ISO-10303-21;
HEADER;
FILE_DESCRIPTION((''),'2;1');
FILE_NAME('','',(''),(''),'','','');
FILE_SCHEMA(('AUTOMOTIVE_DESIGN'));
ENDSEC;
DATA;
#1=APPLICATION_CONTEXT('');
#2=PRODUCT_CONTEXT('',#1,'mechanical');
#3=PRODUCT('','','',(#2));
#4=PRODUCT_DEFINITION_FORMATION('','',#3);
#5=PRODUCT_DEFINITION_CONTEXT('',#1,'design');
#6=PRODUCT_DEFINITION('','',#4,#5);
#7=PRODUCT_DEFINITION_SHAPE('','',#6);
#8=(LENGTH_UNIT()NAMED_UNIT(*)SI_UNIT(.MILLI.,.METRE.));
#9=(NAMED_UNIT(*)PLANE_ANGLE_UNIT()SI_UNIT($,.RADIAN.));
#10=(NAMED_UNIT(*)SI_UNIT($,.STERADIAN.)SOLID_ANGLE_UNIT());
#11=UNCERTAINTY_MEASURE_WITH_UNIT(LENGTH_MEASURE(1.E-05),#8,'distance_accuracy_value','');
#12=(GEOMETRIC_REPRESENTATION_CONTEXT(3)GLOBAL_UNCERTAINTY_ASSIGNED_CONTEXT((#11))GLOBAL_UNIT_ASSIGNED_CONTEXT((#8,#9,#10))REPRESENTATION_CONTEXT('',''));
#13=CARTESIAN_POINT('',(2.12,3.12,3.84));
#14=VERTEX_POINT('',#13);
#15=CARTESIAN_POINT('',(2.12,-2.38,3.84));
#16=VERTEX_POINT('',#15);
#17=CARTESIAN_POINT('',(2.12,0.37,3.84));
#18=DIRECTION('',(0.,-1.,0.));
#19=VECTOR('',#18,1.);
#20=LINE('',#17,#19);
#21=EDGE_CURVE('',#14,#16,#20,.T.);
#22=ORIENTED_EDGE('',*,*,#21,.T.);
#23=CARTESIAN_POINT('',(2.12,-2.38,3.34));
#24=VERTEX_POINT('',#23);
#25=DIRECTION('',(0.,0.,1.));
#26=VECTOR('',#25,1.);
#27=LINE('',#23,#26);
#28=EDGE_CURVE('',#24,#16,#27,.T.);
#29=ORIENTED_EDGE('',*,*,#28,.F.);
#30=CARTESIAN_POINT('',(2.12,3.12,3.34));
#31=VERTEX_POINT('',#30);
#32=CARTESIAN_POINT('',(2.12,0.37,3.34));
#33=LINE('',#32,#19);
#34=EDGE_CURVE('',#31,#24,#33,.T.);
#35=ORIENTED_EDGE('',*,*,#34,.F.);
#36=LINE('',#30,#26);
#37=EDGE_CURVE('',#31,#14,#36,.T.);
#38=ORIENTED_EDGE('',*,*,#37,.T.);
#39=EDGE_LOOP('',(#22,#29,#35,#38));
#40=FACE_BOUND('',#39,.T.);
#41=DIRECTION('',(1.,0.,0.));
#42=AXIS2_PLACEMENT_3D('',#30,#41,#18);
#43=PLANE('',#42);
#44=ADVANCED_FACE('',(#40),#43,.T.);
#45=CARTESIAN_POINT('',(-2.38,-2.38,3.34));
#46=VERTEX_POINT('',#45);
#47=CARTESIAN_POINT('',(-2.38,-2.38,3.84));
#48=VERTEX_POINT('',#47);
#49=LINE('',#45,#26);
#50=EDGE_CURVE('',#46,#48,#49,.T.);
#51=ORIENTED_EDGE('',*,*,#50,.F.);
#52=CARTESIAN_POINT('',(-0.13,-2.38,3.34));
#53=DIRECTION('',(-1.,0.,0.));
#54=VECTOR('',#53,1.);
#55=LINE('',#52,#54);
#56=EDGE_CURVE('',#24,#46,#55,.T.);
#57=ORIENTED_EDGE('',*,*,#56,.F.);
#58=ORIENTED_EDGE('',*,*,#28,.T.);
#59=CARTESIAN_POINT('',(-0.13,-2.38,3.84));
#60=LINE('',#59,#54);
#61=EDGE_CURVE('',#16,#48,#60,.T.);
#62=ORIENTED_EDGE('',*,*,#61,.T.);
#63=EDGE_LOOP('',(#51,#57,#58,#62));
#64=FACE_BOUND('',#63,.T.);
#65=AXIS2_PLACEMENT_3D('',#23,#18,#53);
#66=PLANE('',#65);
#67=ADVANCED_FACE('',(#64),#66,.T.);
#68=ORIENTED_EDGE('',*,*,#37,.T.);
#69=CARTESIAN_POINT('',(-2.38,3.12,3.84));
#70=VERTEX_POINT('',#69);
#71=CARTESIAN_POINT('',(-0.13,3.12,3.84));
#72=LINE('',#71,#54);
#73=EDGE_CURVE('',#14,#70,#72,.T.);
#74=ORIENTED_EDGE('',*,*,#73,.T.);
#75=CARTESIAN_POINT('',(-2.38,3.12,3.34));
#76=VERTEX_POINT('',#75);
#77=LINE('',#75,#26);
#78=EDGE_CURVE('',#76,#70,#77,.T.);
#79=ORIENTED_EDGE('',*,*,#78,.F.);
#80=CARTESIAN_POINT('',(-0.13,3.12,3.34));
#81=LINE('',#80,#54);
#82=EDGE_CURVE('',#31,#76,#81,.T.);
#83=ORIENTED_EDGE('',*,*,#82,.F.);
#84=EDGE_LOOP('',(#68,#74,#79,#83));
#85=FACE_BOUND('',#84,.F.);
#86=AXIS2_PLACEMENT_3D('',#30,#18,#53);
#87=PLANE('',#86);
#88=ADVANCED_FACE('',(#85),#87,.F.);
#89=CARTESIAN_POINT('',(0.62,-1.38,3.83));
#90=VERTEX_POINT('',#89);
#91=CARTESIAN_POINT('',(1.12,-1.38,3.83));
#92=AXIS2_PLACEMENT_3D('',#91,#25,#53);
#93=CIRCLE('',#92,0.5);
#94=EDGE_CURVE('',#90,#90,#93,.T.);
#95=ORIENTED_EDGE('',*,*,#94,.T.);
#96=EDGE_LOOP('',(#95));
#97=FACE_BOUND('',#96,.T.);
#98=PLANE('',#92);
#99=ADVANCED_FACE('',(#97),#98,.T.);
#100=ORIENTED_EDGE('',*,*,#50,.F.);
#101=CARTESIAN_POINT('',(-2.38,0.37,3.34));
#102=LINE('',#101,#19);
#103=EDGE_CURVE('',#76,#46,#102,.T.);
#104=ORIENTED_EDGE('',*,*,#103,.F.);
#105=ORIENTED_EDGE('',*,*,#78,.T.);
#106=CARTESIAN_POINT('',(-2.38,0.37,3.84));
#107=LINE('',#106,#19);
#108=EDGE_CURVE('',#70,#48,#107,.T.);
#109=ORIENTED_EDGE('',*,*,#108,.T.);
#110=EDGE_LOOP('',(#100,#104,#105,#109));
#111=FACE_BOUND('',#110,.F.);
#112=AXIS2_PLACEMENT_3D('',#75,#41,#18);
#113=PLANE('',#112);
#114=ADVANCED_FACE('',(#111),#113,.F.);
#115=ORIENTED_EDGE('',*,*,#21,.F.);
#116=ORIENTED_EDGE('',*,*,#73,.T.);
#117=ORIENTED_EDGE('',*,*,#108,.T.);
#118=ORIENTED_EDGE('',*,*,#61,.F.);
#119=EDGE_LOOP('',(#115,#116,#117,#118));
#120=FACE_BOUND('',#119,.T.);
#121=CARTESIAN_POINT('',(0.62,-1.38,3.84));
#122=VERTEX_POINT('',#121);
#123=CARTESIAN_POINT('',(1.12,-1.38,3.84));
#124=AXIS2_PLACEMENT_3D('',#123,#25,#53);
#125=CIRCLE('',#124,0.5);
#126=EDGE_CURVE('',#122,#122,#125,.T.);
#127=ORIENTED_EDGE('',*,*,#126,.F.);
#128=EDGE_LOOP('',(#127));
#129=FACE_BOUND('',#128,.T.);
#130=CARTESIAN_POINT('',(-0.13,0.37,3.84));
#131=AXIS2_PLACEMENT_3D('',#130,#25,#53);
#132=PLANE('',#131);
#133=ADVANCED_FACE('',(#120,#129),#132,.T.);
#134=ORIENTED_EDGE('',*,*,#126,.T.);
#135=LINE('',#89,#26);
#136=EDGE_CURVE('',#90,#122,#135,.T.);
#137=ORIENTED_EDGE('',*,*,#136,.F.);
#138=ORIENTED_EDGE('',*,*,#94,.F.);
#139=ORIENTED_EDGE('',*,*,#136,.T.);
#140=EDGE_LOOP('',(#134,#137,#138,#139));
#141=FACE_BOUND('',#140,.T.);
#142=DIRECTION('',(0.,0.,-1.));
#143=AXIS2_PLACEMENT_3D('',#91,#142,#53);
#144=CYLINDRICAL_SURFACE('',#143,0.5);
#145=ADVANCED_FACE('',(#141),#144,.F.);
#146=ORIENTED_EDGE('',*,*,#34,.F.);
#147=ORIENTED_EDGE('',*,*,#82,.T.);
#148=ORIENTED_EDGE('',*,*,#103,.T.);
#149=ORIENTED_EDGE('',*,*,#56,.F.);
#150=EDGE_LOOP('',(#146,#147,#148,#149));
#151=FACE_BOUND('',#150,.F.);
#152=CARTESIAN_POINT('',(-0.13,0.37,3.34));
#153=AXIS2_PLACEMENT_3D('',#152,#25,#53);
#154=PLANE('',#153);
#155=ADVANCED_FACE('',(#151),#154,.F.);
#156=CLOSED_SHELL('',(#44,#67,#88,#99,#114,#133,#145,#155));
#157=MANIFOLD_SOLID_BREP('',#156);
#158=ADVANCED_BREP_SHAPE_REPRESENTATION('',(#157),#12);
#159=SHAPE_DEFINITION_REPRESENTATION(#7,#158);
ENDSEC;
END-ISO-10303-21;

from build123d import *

# Parameters (mm, degrees)
CYLINDER021_R          = 0.5
CYLINDER021_DEPTH      = 0.01
BOX060_W               = 4.5
BOX060_H               = 5.5
BOX060_DEPTH           = 0.5
CUT011_PLACEMENT_ANGLE = 180


with BuildPart() as cylinder021:
    # Cylinder021 → Cylinder021 (new body)
    with BuildSketch(Plane(origin=(1, 4.5, 0.49), x_dir=(1, 0, 0), z_dir=(0, 0, 1))):
        Circle(CYLINDER021_R)
    extrude(amount=CYLINDER021_DEPTH)


with BuildPart() as small_linbo3_plate019:
    # Box060 → Box060 (new body)
    with BuildSketch(Plane.XY):
        with Locations((2.25, 2.75)):
            Rectangle(BOX060_W, BOX060_H)
    extrude(amount=BOX060_DEPTH)

    # Cut011: cut Cylinder021
    add(cylinder021.part, mode=Mode.SUBTRACT)


with BuildPart() as small_linbo3_plate019_1:
    # Cut011 placement: moved
    add(small_linbo3_plate019.part.moved(Location((2.12, 3.12, 3.34))).rotate(Axis((2.12, 3.12, 3.34), (0, 0, 1)), CUT011_PLACEMENT_ANGLE))


solid = small_linbo3_plate019_1.part
